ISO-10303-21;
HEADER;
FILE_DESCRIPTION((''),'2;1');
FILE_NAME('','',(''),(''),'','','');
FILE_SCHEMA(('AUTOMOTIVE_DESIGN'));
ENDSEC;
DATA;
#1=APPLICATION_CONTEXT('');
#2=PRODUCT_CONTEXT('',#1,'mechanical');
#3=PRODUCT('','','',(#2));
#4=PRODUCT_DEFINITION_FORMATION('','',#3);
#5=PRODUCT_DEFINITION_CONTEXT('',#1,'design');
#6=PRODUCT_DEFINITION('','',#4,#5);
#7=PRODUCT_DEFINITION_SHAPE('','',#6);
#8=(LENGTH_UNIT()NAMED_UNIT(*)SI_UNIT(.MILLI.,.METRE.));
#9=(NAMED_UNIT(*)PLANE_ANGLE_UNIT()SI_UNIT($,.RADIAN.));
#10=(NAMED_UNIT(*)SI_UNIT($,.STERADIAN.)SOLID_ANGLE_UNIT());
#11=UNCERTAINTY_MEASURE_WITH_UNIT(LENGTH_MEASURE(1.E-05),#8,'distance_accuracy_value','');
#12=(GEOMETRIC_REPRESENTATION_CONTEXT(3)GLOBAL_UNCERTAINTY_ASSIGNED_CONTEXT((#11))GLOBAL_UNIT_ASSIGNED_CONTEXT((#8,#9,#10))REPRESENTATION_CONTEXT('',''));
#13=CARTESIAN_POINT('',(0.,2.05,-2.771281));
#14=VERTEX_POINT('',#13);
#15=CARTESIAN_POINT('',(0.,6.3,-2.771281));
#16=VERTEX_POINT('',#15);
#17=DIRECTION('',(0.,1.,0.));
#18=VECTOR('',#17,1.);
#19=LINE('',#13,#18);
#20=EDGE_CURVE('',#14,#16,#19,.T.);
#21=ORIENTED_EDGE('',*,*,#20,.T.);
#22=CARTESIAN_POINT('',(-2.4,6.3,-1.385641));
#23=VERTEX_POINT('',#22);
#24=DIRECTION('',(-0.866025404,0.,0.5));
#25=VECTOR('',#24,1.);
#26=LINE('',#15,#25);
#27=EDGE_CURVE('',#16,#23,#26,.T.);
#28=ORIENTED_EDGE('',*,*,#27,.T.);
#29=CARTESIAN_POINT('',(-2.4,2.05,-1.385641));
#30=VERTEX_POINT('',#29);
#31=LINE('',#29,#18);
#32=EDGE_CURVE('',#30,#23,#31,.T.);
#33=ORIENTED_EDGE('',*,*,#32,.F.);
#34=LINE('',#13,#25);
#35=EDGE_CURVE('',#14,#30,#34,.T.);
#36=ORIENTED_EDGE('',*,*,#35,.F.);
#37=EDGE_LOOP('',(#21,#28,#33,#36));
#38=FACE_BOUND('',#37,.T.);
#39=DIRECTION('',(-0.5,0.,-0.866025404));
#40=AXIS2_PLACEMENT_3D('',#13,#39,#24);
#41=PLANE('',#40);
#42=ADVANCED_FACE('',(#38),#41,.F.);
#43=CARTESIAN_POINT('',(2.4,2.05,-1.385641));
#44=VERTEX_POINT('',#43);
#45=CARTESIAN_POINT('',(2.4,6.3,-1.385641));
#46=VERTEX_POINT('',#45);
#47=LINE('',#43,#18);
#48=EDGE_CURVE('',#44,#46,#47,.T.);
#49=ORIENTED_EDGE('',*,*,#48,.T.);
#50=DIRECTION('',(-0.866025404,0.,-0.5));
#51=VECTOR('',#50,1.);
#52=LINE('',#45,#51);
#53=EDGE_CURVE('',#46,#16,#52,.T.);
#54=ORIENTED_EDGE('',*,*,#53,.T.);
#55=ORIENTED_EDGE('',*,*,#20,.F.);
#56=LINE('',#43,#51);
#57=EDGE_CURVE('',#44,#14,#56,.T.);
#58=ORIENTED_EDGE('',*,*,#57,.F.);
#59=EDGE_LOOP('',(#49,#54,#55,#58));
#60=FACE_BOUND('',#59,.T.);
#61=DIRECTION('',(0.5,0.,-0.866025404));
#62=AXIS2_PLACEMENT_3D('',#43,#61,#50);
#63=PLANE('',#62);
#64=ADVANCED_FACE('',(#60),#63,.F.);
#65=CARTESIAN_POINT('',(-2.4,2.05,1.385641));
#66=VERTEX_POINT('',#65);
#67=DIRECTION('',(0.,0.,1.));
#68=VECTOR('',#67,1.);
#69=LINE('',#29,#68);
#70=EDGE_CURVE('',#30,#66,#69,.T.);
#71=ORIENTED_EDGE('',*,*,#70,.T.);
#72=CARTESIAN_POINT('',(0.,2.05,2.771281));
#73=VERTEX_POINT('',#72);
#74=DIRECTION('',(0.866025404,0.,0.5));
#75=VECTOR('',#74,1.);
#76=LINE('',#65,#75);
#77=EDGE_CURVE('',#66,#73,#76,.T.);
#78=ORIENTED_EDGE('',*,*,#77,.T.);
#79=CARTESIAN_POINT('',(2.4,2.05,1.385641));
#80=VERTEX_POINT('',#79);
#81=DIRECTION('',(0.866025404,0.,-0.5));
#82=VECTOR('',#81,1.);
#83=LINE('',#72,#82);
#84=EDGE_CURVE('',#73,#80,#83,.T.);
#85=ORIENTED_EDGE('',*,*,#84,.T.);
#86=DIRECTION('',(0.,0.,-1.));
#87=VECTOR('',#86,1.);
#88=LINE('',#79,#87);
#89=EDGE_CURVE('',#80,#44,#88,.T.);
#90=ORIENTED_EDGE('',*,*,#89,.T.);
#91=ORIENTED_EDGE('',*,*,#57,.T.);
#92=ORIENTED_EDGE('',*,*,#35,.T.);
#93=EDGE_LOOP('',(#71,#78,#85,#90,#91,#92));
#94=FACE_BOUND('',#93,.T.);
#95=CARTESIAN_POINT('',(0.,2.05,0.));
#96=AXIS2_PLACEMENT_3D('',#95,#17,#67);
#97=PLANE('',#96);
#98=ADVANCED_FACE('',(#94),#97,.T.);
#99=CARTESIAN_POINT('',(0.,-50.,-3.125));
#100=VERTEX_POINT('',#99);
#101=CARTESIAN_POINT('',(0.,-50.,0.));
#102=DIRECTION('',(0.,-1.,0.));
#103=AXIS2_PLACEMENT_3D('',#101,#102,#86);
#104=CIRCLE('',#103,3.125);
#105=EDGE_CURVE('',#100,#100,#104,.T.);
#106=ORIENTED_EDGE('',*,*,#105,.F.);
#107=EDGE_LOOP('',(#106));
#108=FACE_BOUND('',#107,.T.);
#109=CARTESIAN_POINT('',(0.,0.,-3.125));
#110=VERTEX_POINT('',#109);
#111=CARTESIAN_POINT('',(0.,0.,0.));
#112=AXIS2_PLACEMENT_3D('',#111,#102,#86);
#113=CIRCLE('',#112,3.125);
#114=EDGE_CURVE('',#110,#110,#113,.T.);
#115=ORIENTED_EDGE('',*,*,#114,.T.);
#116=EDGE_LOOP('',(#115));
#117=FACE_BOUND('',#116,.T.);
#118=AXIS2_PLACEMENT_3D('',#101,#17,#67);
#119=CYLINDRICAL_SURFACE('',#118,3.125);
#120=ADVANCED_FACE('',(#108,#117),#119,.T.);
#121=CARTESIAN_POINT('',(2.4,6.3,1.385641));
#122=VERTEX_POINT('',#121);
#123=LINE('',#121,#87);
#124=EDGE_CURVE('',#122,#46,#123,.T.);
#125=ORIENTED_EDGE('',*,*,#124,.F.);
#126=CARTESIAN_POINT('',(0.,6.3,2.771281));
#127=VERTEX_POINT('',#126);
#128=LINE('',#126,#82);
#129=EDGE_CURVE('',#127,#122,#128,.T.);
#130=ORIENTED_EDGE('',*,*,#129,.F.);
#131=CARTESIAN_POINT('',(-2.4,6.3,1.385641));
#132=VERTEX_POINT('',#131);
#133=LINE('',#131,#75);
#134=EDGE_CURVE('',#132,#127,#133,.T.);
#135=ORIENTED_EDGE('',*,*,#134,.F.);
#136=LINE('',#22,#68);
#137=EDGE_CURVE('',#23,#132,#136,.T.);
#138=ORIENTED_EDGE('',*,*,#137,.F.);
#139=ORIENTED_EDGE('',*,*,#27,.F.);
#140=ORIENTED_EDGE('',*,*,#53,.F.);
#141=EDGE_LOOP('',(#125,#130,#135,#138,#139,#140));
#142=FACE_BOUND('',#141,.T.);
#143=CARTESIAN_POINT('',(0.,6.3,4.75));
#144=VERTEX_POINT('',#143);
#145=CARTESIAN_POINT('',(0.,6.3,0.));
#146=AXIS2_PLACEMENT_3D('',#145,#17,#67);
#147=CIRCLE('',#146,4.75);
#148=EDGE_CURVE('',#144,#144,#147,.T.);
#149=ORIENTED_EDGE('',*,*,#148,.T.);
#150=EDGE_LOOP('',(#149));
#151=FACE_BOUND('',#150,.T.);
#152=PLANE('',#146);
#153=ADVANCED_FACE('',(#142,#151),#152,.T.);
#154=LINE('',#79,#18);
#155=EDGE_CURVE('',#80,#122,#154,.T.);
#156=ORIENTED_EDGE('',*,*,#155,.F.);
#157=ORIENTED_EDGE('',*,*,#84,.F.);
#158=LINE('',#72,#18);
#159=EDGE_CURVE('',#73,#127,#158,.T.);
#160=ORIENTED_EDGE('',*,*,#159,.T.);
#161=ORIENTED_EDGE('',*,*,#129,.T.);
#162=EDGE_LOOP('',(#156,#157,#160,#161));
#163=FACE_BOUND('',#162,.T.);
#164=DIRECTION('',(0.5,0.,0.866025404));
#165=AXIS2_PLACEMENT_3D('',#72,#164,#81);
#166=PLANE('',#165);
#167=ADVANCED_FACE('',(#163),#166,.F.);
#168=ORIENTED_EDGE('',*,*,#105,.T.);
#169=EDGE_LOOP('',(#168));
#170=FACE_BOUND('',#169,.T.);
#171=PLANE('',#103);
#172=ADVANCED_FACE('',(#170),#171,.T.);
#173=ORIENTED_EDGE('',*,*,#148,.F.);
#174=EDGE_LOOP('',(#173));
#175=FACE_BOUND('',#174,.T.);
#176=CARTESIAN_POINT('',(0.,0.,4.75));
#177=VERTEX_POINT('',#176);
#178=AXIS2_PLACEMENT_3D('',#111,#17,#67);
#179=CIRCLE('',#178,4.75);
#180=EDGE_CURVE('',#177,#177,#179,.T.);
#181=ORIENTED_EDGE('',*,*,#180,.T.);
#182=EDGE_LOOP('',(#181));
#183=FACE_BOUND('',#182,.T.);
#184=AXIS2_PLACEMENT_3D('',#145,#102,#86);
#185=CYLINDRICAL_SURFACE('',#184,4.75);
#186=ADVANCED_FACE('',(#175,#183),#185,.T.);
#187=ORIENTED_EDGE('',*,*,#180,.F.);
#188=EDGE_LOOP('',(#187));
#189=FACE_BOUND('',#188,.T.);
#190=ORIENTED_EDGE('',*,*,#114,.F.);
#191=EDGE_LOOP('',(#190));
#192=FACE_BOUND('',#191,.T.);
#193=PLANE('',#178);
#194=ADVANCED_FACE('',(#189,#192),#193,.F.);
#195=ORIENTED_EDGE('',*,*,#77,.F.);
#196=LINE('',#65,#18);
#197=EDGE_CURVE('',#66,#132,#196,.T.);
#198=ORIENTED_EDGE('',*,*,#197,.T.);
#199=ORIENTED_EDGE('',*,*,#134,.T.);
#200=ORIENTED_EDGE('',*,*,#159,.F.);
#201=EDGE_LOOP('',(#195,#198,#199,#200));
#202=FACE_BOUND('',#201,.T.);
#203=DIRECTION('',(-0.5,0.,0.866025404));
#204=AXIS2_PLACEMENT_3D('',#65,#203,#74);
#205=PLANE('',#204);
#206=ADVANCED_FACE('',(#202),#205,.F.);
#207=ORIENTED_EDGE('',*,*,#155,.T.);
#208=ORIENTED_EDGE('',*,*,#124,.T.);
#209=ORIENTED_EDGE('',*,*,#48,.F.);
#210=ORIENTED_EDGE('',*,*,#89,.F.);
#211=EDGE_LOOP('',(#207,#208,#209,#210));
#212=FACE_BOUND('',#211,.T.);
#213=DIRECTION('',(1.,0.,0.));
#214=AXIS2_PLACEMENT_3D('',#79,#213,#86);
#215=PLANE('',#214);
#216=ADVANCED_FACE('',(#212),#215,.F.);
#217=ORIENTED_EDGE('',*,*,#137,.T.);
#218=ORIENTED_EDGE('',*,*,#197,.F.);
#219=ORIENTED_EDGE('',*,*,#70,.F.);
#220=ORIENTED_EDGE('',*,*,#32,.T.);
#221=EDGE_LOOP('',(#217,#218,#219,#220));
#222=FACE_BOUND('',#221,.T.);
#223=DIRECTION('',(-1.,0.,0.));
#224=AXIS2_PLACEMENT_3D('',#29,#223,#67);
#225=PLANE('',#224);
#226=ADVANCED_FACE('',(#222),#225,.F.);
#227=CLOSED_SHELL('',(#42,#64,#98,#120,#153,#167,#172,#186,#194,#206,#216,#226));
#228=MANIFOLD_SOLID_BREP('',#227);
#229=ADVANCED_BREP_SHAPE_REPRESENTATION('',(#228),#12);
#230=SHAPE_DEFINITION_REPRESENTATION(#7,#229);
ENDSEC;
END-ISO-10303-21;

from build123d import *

# Parameters (mm, degrees)
SKETCH2_R           = 4.75
BOSS_EXTRUDE1_DEPTH = 6.3
SKETCH3_R           = 3.125
BOSS_EXTRUDE2_DEPTH = 50
CUT_EXTRUDE1_DEPTH  = 4.25


with BuildPart() as part:
    # Sketch2 → Boss-Extrude1 (new body)
    with BuildSketch(Plane(origin=(0, 0, 0), x_dir=(1, 0, 0), z_dir=(0, 1, 0))):
        Circle(SKETCH2_R)
    extrude(amount=BOSS_EXTRUDE1_DEPTH)

    # Sketch3 → Boss-Extrude2 (add)
    with BuildSketch(Plane.XZ):
        Circle(SKETCH3_R)
    extrude(amount=BOSS_EXTRUDE2_DEPTH)

    # Sketch4 → Cut-Extrude1 (cut)
    with BuildSketch(Plane(origin=(0, 6.3, 0), x_dir=(1, 0, 0), z_dir=(0, 1, 0))):
        Polygon((-2.4, 1.385640646), (-2.4, -1.385640646), (0, -2.771281292), (2.4, -1.385640646), (2.4, 1.385640646), (0, 2.771281292), align=None)
    extrude(amount=-CUT_EXTRUDE1_DEPTH, mode=Mode.SUBTRACT)


solid = part.part
